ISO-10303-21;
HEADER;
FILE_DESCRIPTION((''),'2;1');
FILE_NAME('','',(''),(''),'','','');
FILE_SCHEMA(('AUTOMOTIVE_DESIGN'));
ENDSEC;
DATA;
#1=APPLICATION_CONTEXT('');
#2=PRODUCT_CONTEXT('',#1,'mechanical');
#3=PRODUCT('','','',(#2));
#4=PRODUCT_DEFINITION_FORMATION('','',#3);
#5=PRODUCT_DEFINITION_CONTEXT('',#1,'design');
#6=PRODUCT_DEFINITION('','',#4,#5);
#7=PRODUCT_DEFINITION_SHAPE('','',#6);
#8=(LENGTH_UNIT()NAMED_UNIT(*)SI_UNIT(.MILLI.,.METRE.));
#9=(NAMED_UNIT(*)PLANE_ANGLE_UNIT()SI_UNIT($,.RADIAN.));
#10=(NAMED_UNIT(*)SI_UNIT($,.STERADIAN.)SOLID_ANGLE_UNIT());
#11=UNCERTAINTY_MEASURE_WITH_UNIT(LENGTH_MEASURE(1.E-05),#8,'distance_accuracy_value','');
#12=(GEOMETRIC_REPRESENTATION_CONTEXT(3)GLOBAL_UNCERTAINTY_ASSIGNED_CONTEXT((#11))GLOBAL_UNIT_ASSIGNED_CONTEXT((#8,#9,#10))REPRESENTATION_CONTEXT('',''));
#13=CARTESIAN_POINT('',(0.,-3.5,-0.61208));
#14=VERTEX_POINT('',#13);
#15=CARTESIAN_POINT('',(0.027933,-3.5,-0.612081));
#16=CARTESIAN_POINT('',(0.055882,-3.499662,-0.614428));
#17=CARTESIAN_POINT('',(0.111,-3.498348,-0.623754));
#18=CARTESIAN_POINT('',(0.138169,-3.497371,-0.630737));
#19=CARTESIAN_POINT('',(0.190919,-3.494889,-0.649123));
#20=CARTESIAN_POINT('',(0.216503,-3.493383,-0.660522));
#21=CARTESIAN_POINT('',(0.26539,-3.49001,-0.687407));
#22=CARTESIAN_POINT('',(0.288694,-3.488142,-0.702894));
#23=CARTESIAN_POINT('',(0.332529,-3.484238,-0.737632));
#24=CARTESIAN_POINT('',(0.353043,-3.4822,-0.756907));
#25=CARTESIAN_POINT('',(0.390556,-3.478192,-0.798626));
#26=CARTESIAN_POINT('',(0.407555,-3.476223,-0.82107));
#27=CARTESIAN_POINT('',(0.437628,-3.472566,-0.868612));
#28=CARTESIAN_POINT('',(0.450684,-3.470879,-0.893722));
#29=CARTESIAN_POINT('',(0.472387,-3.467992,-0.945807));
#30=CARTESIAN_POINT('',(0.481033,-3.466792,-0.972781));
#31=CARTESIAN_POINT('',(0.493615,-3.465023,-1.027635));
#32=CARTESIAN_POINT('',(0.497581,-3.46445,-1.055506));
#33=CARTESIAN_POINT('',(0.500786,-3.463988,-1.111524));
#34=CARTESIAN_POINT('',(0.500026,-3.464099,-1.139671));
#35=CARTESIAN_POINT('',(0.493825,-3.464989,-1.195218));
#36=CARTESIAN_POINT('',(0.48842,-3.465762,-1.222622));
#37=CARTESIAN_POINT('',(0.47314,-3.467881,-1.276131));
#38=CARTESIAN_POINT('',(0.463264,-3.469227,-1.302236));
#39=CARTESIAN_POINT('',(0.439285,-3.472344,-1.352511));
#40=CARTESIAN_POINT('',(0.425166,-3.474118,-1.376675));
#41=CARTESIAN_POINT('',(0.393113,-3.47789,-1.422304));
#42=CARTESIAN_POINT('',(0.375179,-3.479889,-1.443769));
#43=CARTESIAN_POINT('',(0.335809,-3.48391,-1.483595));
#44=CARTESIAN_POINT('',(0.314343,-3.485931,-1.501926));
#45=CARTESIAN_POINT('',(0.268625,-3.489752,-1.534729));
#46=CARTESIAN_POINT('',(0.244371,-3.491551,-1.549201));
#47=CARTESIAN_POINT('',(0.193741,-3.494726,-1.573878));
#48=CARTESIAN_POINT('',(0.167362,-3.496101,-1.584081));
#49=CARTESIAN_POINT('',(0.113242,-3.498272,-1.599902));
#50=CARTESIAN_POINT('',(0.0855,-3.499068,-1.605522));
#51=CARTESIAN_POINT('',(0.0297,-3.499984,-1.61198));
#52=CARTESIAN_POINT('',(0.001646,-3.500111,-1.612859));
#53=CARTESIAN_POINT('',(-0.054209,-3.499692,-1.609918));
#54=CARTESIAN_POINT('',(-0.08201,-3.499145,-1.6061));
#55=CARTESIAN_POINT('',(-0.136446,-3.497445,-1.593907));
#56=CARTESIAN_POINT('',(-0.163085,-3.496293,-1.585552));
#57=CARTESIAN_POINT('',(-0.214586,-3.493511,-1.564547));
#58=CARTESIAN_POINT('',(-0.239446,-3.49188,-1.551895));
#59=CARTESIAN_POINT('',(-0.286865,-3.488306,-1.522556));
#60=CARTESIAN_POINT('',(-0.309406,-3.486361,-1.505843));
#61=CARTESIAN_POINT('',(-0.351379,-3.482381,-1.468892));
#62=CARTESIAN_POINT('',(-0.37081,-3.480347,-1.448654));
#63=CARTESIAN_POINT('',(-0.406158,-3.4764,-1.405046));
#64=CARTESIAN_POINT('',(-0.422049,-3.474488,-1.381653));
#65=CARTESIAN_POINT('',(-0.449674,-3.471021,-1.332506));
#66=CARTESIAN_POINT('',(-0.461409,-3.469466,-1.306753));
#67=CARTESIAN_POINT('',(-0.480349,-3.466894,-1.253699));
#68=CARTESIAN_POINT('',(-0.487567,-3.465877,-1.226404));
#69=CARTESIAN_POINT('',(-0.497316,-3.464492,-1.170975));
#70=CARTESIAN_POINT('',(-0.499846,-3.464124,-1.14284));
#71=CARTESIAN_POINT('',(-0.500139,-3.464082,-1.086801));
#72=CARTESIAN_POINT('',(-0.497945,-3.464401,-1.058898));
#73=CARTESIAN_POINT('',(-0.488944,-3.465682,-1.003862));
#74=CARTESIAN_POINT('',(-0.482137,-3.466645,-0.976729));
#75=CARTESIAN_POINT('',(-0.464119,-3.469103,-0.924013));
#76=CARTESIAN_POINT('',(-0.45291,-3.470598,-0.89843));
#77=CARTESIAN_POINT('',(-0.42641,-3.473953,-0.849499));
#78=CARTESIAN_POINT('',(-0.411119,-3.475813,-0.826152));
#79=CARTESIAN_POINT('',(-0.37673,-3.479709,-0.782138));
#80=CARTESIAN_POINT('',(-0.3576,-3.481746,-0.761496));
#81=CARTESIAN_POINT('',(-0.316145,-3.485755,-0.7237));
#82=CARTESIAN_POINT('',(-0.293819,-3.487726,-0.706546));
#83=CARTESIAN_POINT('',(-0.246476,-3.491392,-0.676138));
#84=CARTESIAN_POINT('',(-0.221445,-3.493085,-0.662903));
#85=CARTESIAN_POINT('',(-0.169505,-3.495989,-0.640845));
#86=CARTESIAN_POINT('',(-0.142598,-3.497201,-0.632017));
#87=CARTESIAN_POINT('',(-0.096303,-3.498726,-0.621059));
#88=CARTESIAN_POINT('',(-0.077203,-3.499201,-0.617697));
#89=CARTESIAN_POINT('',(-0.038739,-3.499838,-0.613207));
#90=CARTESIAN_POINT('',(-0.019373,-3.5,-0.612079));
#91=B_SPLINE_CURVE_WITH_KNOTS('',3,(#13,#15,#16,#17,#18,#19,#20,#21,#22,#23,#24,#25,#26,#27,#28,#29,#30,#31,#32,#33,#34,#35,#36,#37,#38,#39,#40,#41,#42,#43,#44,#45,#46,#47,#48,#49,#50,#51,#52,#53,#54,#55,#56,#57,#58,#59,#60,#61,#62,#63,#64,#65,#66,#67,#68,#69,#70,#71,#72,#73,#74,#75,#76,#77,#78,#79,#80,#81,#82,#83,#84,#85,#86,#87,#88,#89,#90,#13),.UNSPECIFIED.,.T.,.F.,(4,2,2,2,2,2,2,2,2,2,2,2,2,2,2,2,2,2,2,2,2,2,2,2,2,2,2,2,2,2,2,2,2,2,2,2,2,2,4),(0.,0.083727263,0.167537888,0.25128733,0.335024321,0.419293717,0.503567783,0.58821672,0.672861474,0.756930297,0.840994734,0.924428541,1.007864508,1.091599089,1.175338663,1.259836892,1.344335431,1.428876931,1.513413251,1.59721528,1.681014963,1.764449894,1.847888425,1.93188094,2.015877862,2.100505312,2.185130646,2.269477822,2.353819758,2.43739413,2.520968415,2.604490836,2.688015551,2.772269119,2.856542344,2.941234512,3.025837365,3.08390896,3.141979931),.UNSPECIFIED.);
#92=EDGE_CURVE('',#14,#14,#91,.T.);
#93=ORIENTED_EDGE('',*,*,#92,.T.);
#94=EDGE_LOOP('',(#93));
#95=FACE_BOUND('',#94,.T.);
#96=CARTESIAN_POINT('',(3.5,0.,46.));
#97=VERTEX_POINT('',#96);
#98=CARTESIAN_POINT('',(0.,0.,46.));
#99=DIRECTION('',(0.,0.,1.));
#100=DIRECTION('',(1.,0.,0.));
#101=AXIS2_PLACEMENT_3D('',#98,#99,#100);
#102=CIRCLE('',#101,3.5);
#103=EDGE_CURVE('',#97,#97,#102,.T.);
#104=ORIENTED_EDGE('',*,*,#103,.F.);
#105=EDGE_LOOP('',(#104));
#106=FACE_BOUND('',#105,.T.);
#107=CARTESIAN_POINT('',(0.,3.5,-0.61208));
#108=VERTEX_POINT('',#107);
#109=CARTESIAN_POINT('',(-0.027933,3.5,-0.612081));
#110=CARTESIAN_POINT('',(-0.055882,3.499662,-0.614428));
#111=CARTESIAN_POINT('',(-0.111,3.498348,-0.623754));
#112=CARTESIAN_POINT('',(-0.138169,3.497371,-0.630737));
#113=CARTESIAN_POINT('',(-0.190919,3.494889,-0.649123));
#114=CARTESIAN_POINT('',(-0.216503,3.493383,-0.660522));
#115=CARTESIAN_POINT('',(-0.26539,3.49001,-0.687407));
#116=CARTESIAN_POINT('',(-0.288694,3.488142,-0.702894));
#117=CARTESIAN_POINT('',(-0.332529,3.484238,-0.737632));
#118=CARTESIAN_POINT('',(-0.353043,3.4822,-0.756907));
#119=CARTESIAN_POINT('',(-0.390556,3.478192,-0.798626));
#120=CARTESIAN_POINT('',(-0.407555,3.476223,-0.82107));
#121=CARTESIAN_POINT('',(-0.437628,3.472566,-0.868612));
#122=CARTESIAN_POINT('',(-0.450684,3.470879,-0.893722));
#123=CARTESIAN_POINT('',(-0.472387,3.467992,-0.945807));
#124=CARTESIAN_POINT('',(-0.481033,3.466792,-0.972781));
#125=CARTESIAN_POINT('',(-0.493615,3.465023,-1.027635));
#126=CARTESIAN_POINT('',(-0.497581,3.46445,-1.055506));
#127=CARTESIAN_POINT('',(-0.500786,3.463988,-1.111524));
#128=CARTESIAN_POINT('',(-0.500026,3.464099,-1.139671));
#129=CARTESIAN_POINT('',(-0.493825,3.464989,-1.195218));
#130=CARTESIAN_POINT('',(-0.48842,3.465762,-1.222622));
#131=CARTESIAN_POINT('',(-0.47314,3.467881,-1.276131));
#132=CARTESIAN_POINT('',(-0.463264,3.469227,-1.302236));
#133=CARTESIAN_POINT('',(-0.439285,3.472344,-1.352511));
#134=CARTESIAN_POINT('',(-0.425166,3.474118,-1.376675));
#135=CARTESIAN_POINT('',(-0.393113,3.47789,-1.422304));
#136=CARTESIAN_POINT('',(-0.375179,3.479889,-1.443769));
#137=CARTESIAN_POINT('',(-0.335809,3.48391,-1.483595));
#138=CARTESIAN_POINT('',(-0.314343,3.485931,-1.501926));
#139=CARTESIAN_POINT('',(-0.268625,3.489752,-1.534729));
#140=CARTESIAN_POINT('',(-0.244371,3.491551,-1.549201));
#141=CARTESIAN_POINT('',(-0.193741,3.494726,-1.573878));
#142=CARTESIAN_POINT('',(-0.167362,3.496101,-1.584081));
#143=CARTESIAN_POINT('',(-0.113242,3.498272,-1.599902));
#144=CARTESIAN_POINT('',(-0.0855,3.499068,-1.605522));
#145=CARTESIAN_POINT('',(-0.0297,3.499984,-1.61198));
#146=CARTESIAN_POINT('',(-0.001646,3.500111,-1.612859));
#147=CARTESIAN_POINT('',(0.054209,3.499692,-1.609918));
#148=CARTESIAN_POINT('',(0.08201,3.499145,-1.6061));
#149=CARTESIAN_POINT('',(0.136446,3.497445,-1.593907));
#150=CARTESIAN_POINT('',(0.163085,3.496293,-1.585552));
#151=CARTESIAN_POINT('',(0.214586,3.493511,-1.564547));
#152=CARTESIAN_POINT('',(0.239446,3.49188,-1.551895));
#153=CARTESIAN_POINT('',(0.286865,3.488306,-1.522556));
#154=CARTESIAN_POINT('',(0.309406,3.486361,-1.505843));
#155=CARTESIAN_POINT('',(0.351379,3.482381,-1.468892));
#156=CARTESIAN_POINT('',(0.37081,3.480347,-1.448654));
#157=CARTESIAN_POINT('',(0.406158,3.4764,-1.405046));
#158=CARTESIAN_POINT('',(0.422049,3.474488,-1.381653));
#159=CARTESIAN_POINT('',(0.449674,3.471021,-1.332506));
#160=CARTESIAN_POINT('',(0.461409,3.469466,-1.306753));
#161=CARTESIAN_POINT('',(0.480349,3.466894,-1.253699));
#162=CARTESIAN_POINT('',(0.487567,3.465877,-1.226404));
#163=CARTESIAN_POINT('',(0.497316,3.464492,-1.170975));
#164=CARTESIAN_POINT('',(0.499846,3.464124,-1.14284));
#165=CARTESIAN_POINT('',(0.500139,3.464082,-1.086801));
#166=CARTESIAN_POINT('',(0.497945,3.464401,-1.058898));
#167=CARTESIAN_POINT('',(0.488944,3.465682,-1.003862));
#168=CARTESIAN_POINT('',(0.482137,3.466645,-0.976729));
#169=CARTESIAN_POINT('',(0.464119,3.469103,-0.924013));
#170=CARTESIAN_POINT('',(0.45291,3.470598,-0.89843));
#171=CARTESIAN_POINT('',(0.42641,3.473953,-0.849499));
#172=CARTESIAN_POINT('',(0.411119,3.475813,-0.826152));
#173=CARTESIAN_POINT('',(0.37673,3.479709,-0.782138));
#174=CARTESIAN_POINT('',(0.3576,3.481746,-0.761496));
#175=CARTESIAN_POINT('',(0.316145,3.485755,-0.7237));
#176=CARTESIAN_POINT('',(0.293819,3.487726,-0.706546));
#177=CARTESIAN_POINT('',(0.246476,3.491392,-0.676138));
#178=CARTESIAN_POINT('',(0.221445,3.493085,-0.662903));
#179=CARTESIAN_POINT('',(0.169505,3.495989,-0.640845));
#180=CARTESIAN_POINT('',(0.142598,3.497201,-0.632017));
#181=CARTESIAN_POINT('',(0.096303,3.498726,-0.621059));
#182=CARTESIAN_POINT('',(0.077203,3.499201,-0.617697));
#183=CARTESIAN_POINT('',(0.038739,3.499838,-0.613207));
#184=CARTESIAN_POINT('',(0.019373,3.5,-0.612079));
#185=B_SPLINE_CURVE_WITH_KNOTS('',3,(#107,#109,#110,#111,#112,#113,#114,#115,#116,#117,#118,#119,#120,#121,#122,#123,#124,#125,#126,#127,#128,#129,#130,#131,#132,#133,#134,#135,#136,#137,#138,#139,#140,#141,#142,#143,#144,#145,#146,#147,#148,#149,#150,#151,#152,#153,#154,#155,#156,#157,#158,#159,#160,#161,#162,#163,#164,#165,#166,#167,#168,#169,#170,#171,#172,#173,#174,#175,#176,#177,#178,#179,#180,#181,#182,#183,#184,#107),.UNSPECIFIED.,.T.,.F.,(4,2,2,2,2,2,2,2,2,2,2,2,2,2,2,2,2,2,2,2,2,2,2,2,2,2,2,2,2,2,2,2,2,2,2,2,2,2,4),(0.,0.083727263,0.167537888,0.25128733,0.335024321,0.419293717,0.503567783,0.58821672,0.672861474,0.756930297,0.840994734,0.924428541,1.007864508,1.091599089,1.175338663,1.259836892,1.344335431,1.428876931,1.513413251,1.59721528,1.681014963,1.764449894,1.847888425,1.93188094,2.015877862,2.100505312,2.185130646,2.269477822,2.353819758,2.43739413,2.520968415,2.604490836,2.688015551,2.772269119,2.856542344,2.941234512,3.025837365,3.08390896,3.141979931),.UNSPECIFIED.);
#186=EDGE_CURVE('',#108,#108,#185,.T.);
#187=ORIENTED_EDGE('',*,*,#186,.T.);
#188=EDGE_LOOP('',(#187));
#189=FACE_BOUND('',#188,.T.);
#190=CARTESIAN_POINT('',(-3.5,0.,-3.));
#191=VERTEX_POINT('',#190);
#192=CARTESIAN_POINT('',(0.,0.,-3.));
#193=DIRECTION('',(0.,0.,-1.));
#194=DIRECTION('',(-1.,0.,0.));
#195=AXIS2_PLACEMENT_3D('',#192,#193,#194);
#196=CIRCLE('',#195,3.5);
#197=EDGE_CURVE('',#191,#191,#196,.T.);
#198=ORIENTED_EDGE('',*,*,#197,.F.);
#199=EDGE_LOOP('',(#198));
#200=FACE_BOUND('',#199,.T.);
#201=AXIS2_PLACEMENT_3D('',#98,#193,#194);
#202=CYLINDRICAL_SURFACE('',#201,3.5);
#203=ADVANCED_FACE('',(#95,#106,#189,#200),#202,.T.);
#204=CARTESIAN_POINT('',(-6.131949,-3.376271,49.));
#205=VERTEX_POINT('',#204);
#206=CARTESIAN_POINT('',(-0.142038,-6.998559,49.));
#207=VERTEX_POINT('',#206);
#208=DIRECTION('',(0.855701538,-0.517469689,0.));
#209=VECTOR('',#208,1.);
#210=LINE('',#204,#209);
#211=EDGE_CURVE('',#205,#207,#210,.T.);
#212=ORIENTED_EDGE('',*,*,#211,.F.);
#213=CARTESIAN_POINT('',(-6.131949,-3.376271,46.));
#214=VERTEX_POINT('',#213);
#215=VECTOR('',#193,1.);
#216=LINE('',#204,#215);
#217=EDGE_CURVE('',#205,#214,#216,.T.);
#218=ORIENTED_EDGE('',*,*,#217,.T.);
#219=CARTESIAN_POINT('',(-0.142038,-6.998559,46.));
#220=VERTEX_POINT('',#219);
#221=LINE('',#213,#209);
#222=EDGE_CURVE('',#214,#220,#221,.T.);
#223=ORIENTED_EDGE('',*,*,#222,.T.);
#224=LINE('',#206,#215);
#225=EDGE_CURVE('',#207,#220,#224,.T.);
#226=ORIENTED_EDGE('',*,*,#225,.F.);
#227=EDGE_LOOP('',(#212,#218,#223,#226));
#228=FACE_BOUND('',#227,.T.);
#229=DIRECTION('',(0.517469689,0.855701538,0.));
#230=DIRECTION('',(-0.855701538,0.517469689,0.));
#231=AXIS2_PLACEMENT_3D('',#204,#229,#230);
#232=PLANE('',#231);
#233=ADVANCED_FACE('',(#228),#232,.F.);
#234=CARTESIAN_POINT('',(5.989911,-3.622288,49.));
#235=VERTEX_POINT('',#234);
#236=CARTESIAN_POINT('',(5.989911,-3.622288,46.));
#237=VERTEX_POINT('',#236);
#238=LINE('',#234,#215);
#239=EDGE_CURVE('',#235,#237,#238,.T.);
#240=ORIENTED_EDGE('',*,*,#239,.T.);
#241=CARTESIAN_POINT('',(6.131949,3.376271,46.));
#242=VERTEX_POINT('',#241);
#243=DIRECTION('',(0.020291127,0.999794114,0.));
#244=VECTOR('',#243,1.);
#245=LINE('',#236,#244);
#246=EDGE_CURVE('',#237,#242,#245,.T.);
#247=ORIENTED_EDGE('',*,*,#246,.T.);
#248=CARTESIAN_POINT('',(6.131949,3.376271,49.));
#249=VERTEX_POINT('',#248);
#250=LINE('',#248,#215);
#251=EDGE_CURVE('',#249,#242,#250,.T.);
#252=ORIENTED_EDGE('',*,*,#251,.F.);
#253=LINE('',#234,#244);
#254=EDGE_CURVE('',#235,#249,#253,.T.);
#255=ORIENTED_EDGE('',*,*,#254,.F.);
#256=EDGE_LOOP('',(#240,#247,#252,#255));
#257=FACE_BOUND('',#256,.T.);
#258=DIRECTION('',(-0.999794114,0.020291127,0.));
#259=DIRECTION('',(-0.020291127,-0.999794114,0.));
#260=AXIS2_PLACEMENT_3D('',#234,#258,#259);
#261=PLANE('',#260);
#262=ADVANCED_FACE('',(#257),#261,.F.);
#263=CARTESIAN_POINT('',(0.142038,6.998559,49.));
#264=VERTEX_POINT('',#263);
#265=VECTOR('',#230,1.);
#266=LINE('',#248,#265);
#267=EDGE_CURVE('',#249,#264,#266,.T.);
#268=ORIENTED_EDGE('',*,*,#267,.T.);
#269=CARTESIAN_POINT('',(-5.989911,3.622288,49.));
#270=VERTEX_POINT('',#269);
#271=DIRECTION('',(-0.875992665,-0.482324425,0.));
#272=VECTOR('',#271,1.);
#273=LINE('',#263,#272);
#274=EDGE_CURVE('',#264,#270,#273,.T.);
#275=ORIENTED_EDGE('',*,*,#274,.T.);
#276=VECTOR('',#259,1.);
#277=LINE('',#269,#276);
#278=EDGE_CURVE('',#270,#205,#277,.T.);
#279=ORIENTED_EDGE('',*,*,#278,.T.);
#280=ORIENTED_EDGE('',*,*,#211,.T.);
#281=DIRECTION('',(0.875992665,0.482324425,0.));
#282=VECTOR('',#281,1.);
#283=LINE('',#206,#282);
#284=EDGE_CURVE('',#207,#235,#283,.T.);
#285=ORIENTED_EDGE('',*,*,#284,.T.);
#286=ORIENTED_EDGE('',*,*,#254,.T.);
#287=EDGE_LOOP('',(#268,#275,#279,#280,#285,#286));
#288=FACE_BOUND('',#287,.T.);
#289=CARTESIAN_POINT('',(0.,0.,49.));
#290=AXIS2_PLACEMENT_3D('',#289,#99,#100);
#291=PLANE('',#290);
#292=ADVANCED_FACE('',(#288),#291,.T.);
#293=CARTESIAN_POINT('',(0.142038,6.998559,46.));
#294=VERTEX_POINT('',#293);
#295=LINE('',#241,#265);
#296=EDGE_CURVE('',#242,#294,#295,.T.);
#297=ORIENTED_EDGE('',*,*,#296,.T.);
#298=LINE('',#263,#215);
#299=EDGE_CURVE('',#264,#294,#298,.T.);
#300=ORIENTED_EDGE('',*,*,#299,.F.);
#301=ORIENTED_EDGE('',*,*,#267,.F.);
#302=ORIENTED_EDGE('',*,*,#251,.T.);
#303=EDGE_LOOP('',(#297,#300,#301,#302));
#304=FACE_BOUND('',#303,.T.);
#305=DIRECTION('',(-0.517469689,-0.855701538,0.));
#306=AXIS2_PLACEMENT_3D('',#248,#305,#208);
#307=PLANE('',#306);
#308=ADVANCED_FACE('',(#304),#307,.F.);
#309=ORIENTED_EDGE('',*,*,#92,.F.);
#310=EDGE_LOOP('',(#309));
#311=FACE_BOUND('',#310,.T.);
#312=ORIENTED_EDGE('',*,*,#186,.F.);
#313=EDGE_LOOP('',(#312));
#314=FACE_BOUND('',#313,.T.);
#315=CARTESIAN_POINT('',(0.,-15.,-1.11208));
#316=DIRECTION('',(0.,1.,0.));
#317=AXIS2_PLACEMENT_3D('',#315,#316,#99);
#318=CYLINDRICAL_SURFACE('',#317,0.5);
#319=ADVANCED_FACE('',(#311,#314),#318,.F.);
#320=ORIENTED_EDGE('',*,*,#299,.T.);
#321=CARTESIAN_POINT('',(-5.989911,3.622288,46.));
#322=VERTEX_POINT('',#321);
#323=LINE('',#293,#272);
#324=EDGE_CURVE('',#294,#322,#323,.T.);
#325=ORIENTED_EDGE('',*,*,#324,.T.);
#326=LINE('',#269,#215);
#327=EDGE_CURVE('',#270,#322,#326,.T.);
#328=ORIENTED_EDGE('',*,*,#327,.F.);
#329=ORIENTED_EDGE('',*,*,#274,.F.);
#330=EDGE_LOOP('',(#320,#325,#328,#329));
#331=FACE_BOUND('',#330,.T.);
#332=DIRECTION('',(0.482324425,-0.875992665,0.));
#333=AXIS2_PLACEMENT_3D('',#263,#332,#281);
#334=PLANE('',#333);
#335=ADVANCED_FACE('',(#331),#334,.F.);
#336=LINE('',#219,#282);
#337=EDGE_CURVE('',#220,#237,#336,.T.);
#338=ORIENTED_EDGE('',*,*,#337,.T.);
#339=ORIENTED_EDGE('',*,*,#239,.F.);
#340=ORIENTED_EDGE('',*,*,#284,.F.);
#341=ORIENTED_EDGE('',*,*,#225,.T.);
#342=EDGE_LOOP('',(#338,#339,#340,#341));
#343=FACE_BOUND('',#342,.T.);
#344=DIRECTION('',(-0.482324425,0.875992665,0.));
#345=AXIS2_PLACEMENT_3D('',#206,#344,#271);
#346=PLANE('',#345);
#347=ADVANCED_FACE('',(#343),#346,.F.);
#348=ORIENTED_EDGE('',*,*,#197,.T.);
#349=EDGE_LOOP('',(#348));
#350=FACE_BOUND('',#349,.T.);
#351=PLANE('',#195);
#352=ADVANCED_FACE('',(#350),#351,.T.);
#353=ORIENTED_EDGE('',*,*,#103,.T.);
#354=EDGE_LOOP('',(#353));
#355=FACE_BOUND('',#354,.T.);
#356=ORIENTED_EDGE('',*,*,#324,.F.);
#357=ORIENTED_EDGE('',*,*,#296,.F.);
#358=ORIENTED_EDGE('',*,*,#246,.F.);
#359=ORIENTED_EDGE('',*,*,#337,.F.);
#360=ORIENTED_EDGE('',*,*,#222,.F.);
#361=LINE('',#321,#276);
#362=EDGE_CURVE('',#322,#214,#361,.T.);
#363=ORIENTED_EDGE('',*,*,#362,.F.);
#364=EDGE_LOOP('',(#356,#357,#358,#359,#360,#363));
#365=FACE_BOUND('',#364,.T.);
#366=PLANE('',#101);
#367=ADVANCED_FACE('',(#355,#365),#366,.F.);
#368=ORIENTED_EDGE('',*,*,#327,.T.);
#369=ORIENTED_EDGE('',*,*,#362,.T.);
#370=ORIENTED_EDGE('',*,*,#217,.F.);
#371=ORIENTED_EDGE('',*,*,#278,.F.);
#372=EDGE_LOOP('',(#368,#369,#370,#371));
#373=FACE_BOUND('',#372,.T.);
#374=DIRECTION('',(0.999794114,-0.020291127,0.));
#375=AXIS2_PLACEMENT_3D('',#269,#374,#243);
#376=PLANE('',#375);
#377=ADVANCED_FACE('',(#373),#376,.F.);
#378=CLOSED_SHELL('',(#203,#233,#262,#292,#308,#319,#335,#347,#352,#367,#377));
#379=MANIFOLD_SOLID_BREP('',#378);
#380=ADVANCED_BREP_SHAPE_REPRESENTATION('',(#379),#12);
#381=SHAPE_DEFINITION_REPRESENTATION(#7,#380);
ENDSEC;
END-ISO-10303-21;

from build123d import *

# Parameters (mm, degrees)
SKETCH1_R               = 3.5
BOSS_EXTRUDE1_DEPTH     = 46
BOSS_EXTRUDE2_DEPTH     = 3
BOSS_EXTRUDE3_START     = 3
SKETCH3_R               = 3.5
BOSS_EXTRUDE3_DEPTH     = 3
CUT_EXTRUDE2_DEPTH      = 13
CUT_EXTRUDE2_DEPTH_BACK = 15
SKETCH4_R               = 0.5


with BuildPart() as part:
    # Sketch1 → Boss-Extrude1 (new body)
    with BuildSketch(Plane.XY):
        Circle(SKETCH1_R)
    extrude(amount=BOSS_EXTRUDE1_DEPTH)

    # Sketch2 → Boss-Extrude2 (add)
    with BuildSketch(Plane.XY.offset(46)):
        Polygon((0.14203789, 6.998558797), (-5.989910763, 3.62228782), (-6.131948653, -3.376270977), (-0.14203789, -6.998558797), (5.989910763, -3.62228782), (6.131948653, 3.376270977), align=None)
    extrude(amount=BOSS_EXTRUDE2_DEPTH)

    # Sketch3 → Boss-Extrude3 (add)
    with BuildSketch(Plane(origin=(0, 0, 0), x_dir=(-1, 0, 0), z_dir=(0, 0, -1)).offset(BOSS_EXTRUDE3_START)):
        Circle(SKETCH3_R)
    extrude(amount=-BOSS_EXTRUDE3_DEPTH)

    # Sketch4 → Cut-Extrude2 (cut, two sides: drawn at the far end of the back side and taken through both)
    with BuildSketch(Plane(origin=(0, 0, 0), x_dir=(1, 0, 0), z_dir=(0, 1, 0)).offset(-CUT_EXTRUDE2_DEPTH_BACK)):
        with Locations(Location((0, 1.112079682, 0), (0, 0, 270))):
            Circle(SKETCH4_R)
    extrude(amount=CUT_EXTRUDE2_DEPTH + CUT_EXTRUDE2_DEPTH_BACK, mode=Mode.SUBTRACT)


solid = part.part
